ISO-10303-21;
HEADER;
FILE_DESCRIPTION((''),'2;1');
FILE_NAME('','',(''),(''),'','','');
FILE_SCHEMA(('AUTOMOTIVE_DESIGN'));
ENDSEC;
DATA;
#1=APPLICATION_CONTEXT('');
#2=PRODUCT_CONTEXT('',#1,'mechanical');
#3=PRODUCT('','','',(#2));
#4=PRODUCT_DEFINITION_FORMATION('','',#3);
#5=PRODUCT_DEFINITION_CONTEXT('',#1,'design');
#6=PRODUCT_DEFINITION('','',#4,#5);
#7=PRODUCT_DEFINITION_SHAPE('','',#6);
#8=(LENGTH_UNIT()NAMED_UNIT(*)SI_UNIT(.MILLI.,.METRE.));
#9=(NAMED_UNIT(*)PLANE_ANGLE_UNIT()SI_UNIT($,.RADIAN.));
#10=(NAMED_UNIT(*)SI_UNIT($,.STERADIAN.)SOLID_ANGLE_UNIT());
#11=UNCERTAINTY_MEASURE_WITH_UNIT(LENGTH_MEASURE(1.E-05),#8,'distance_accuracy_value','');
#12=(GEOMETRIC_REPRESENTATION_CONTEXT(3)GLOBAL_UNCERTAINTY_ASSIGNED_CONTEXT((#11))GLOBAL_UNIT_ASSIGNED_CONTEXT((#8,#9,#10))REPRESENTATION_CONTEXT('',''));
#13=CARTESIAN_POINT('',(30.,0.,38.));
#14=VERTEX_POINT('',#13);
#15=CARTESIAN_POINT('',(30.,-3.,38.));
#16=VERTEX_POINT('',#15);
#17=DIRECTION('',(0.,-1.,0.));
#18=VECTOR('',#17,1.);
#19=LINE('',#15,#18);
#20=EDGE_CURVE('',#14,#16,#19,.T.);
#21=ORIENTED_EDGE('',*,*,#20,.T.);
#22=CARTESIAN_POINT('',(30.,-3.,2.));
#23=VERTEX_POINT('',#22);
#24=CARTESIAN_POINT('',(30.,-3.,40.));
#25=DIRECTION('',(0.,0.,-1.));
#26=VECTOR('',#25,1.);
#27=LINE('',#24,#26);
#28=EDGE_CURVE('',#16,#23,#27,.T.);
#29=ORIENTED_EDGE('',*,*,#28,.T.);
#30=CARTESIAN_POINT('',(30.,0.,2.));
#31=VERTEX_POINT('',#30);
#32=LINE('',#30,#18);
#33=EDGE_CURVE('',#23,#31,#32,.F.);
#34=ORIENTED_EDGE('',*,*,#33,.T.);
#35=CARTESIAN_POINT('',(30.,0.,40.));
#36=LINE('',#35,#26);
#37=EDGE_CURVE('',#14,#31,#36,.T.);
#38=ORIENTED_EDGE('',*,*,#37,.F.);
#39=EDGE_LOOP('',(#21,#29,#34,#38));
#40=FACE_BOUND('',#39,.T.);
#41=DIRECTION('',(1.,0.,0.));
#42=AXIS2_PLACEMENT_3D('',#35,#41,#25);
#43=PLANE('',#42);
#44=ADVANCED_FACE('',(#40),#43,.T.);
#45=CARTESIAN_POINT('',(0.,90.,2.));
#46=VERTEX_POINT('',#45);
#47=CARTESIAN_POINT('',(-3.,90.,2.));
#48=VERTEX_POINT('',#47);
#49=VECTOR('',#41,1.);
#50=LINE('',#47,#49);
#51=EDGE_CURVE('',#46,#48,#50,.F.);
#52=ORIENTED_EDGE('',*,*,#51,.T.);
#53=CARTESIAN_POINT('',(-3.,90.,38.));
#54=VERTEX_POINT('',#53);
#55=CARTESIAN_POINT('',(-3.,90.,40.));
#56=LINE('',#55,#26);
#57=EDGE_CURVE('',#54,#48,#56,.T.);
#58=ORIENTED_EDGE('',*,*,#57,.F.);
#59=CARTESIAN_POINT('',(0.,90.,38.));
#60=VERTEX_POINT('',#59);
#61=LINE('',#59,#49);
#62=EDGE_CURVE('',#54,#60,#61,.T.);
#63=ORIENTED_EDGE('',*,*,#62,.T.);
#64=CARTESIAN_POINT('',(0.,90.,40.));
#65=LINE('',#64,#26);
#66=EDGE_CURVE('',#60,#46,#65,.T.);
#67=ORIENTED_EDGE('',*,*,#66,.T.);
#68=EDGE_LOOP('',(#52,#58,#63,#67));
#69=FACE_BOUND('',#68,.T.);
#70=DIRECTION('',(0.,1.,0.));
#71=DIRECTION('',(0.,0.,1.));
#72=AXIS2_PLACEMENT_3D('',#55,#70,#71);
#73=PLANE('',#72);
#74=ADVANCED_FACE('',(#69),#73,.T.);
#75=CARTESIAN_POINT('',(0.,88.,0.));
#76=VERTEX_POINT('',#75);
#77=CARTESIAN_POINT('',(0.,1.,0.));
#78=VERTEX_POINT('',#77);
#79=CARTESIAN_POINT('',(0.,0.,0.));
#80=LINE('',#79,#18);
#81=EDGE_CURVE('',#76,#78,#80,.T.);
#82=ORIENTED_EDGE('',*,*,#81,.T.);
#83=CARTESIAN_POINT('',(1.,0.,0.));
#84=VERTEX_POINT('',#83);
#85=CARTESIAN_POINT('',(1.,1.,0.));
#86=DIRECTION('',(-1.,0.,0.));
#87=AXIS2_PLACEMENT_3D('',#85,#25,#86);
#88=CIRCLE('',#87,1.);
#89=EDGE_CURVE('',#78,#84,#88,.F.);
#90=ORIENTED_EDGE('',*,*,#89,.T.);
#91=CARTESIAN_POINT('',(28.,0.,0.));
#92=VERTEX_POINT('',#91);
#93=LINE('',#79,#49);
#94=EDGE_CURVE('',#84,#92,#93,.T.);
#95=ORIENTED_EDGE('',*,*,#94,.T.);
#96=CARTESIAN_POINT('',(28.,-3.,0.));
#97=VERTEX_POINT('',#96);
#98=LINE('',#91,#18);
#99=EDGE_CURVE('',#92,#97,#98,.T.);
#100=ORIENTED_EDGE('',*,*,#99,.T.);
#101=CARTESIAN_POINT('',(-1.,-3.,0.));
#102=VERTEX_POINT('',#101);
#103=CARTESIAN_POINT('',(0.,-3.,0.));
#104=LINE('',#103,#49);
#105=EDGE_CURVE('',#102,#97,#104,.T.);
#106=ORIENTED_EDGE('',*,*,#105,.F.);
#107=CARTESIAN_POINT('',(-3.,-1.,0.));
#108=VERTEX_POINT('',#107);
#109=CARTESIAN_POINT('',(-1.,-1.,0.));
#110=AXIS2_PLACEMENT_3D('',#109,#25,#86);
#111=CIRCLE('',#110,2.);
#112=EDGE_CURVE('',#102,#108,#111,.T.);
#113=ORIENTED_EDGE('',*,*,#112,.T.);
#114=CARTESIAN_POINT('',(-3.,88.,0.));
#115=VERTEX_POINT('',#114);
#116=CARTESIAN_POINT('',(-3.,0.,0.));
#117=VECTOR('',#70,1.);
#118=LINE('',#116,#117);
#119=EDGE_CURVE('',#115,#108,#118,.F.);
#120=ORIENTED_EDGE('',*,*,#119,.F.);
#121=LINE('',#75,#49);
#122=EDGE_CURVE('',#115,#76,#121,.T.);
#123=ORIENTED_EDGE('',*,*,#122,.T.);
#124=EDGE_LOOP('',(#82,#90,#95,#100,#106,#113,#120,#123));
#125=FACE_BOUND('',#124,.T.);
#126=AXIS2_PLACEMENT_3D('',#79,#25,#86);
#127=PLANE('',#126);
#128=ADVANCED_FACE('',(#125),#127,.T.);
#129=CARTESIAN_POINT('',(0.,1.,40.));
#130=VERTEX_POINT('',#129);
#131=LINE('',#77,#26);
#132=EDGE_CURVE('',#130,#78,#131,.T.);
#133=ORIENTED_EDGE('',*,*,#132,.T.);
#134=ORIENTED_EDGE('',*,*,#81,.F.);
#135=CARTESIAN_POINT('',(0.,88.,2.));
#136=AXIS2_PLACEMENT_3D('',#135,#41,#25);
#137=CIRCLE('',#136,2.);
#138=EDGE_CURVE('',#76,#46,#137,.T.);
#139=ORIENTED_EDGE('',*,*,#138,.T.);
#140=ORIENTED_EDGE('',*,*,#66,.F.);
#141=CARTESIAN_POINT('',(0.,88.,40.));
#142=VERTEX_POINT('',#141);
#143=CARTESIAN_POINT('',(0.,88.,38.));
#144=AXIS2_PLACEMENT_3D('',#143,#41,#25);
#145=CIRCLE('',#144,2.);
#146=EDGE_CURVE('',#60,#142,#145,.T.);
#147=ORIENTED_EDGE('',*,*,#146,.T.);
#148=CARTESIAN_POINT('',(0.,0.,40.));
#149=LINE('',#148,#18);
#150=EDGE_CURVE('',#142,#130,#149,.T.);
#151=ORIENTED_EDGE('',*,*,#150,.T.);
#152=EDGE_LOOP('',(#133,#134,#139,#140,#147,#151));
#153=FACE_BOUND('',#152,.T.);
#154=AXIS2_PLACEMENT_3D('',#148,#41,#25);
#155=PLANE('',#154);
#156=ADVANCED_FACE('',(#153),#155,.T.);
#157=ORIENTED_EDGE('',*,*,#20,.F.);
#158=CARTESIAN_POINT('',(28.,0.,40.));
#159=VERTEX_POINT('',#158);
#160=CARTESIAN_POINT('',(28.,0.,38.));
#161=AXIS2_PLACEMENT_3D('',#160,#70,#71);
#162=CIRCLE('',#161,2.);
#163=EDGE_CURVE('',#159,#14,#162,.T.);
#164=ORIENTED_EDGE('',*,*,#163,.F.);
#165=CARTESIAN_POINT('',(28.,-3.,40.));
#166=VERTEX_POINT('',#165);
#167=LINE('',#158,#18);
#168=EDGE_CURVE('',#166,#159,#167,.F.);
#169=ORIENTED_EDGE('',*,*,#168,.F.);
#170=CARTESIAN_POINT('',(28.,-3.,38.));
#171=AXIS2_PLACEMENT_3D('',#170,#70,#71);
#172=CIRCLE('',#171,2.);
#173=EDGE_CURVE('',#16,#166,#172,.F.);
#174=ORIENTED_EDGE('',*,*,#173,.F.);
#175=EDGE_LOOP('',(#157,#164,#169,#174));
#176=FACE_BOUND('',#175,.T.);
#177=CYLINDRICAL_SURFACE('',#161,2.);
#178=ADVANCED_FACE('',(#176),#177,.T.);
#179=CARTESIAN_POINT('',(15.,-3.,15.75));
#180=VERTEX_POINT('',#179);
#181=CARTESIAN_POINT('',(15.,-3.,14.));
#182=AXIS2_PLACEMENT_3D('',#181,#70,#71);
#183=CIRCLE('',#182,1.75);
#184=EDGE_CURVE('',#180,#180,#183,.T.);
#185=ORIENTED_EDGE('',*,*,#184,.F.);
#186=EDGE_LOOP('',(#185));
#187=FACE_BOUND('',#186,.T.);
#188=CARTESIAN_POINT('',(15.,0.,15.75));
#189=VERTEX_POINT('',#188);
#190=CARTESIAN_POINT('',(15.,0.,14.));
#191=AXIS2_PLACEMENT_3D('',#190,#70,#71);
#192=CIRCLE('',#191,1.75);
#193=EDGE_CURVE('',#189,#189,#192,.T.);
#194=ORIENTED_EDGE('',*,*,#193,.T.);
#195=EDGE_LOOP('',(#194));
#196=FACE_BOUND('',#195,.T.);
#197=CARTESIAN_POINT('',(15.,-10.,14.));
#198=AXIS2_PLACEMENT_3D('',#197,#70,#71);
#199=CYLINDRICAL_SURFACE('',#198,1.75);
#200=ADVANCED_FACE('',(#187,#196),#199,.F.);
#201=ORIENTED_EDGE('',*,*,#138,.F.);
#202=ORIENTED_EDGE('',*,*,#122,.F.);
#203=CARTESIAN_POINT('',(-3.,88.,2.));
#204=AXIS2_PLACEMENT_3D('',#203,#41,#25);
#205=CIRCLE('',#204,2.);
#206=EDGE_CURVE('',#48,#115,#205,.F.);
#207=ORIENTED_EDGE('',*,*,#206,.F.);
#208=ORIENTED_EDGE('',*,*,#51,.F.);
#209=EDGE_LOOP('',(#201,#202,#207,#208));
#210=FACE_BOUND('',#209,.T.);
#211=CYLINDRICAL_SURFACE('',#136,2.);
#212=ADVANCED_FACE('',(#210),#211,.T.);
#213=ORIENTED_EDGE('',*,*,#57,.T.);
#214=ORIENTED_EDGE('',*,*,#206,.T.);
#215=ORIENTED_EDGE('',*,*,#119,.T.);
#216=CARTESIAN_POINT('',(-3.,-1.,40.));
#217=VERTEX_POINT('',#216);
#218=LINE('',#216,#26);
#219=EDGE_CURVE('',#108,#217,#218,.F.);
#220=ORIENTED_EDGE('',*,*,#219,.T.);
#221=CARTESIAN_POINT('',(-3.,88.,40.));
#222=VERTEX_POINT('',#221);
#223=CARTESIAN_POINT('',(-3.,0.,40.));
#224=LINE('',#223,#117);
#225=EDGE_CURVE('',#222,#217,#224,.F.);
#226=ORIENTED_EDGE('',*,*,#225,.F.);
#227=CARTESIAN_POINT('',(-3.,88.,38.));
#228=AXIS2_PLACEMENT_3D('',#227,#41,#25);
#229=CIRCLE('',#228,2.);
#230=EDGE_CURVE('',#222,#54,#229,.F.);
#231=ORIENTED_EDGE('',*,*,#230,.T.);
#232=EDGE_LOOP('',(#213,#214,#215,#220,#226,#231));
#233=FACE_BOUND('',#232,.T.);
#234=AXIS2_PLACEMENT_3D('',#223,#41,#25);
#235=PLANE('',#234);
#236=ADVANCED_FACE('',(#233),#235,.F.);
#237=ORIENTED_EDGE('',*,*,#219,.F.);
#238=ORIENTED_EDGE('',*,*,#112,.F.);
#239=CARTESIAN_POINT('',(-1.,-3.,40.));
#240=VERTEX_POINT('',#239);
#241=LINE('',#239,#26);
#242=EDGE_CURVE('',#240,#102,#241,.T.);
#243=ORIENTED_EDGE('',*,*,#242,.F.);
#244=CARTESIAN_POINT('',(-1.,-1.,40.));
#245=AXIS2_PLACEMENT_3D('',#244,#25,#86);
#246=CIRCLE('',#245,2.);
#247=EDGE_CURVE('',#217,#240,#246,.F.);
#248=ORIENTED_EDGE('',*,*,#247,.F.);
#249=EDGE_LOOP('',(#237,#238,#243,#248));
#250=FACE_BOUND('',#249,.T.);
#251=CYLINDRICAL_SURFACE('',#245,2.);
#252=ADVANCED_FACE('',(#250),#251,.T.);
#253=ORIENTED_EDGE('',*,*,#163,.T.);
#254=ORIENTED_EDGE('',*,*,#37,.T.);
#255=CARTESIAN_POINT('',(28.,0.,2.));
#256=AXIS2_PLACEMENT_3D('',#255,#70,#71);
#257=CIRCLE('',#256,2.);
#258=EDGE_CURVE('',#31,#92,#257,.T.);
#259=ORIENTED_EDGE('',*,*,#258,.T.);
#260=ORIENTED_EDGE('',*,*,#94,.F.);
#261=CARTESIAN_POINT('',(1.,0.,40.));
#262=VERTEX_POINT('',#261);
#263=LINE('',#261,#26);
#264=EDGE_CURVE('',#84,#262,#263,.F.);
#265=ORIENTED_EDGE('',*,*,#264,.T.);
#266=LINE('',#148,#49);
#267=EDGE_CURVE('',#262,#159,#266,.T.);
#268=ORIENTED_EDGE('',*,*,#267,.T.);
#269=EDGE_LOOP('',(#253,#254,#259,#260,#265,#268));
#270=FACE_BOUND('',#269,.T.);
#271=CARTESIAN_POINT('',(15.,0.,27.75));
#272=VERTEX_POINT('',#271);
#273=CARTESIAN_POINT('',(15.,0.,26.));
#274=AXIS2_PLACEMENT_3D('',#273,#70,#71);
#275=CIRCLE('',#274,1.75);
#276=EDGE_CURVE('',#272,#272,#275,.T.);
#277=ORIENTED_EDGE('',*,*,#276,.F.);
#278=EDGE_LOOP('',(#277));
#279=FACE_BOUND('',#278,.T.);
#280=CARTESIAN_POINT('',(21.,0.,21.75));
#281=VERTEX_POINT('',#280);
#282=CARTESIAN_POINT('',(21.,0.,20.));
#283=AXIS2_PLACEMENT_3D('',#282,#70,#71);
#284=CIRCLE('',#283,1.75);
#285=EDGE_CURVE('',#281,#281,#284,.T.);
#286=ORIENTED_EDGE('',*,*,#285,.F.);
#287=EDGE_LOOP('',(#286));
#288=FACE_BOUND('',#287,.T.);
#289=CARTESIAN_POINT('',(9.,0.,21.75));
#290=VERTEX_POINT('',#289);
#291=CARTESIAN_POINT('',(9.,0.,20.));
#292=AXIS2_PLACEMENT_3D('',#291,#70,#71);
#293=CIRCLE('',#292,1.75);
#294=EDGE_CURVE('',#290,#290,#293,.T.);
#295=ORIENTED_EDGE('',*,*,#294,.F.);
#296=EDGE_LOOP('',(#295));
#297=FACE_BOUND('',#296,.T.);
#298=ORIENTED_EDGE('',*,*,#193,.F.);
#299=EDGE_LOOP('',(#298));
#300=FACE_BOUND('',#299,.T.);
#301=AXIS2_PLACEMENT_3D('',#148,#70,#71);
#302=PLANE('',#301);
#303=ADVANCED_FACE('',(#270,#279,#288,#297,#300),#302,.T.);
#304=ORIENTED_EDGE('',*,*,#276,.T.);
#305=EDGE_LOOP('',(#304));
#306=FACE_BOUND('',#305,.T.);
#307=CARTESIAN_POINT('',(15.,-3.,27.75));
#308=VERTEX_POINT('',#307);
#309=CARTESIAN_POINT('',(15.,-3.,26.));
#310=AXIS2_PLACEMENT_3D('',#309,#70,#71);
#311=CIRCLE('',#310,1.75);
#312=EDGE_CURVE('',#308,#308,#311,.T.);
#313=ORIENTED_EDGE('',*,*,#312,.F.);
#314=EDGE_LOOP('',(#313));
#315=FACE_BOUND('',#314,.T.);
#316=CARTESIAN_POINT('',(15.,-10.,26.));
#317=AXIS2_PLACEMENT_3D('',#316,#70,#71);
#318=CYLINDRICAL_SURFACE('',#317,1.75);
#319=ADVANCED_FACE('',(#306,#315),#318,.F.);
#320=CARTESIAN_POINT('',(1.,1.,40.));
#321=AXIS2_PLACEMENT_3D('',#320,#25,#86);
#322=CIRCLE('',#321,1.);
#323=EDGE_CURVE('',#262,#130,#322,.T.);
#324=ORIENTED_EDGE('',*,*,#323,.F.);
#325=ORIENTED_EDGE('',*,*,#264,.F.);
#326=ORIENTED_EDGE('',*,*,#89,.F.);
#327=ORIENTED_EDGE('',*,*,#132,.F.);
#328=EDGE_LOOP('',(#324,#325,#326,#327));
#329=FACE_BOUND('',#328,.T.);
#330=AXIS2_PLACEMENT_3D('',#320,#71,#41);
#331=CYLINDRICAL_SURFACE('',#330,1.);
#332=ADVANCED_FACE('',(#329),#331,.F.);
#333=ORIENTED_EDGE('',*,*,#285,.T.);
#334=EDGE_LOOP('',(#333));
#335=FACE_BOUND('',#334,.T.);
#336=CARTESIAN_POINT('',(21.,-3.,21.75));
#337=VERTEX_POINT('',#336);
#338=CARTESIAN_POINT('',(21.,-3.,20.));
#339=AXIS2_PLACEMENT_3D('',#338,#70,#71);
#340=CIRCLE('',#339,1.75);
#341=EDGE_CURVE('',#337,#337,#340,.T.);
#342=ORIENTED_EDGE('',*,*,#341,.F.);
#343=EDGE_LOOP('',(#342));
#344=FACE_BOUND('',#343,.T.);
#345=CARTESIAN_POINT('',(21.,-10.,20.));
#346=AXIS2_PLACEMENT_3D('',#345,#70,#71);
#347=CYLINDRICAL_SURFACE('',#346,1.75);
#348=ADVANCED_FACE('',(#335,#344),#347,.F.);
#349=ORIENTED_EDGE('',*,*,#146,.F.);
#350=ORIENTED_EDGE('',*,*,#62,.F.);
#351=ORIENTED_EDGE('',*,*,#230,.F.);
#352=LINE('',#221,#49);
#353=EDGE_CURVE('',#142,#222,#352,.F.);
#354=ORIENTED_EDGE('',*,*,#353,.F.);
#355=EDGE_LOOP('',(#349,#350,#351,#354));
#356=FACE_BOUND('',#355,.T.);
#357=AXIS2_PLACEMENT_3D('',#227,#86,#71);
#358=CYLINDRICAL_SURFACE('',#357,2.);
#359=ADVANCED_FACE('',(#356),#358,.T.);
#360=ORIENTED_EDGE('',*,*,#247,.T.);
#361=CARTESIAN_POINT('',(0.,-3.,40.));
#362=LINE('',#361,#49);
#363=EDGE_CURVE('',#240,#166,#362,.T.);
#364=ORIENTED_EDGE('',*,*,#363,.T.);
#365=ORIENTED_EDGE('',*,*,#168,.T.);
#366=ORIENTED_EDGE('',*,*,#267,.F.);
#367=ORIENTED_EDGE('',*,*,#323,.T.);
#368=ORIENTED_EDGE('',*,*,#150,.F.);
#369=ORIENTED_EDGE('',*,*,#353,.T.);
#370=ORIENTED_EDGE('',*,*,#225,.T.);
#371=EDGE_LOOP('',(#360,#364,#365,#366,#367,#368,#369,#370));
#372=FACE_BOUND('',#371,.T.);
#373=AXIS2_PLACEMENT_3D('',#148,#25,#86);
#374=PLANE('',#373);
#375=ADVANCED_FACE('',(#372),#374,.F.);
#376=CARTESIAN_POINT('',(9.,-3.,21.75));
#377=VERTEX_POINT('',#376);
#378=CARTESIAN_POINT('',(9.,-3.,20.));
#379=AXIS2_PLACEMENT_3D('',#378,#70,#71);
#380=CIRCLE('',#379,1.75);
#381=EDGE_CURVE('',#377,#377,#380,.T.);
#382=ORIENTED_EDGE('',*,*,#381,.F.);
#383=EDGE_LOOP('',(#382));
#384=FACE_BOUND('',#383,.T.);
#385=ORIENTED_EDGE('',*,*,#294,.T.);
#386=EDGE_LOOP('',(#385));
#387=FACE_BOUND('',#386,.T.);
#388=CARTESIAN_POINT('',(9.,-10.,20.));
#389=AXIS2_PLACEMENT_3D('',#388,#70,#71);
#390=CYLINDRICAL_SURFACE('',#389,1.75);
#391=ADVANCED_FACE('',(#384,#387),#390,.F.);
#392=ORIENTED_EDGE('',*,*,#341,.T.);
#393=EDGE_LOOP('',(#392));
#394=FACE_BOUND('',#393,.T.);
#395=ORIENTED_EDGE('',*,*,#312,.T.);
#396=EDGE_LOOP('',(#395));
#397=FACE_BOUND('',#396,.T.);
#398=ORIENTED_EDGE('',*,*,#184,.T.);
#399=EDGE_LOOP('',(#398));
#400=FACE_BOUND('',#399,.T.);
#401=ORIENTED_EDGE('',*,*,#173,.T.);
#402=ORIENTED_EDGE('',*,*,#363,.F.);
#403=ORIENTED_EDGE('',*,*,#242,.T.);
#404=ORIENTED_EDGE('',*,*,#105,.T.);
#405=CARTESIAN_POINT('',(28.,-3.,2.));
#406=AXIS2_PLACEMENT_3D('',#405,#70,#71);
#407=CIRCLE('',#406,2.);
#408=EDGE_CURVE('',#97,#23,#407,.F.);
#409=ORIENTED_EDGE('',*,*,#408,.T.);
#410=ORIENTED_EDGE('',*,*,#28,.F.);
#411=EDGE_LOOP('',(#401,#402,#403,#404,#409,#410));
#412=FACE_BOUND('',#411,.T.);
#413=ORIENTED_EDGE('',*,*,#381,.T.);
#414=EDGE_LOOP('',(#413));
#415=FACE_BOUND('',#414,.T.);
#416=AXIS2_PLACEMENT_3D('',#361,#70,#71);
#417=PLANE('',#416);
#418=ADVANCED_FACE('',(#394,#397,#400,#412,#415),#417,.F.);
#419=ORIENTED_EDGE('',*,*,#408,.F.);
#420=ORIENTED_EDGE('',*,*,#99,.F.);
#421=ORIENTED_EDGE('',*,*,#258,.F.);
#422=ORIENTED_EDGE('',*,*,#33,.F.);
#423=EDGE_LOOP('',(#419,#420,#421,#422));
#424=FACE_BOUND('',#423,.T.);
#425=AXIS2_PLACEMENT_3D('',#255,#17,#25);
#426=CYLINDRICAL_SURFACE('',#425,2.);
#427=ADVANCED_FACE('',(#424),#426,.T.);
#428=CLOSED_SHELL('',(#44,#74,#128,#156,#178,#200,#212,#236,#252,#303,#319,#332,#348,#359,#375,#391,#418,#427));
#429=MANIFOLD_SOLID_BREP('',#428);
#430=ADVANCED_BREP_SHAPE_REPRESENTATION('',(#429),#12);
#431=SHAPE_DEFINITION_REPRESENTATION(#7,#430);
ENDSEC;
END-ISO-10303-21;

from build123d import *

# Parameters (mm, degrees)
EXTRU_MINCE1_DEPTH      = 40
CONG_1_R                = 1
CONG_2_R                = 2
CONG_3_R                = 2
CONG_4_R                = 2
CONG_5_R                = 2
CONG_6_R                = 2
ESQUISSE3_R             = 1.75
ENL_V_MAT_EXTRU_2_DEPTH = 10


with BuildPart() as part:
    # Esquisse1 → Extru.-Mince1 (new body)
    with BuildSketch(Plane.XY):
        Polygon((30, 0), (0, 0), (0, 90), (-3, 90), (-3, -3), (30, -3), align=None)
    extrude(amount=EXTRU_MINCE1_DEPTH)

    # Congé1
    cong_1_edges = [part.edges().sort_by_distance(p)[0] for p in [
        (0, 0, 20),
    ]]
    fillet(cong_1_edges, radius=CONG_1_R)

    # Congé2
    cong_2_edges = [part.edges().sort_by_distance(p)[0] for p in [
        (-3, -3, 20),
    ]]
    fillet(cong_2_edges, radius=CONG_2_R)

    # Congé3
    cong_3_edges = [part.edges().sort_by_distance(p)[0] for p in [
        (-1.5, 90, 40),
    ]]
    fillet(cong_3_edges, radius=CONG_3_R)

    # Congé4
    cong_4_edges = [part.edges().sort_by_distance(p)[0] for p in [
        (-1.5, 90, 0),
    ]]
    fillet(cong_4_edges, radius=CONG_4_R)

    # Congé5
    cong_5_edges = [part.edges().sort_by_distance(p)[0] for p in [
        (30, -1.5, 40),
    ]]
    fillet(cong_5_edges, radius=CONG_5_R)

    # Congé6
    cong_6_edges = [part.edges().sort_by_distance(p)[0] for p in [
        (30, -1.5, 0),
    ]]
    fillet(cong_6_edges, radius=CONG_6_R)

    # Esquisse3 → Enlèv. mat.-Extru.2 (cut)
    with BuildSketch(Plane(origin=(0, 0, 0), x_dir=(1, 0, 0), z_dir=(0, 1, 0))):
        with Locations(Location((15, -14, 0), (0, 0, 270))):
            Circle(ESQUISSE3_R)
        with Locations(Location((15, -26, 0), (0, 0, 270))):
            Circle(ESQUISSE3_R)
        with Locations(Location((21, -20, 0), (0, 0, 270))):
            Circle(ESQUISSE3_R)
        with Locations(Location((9, -20, 0), (0, 0, 270))):
            Circle(ESQUISSE3_R)
    extrude(amount=-ENL_V_MAT_EXTRU_2_DEPTH, mode=Mode.SUBTRACT)


solid = part.part
